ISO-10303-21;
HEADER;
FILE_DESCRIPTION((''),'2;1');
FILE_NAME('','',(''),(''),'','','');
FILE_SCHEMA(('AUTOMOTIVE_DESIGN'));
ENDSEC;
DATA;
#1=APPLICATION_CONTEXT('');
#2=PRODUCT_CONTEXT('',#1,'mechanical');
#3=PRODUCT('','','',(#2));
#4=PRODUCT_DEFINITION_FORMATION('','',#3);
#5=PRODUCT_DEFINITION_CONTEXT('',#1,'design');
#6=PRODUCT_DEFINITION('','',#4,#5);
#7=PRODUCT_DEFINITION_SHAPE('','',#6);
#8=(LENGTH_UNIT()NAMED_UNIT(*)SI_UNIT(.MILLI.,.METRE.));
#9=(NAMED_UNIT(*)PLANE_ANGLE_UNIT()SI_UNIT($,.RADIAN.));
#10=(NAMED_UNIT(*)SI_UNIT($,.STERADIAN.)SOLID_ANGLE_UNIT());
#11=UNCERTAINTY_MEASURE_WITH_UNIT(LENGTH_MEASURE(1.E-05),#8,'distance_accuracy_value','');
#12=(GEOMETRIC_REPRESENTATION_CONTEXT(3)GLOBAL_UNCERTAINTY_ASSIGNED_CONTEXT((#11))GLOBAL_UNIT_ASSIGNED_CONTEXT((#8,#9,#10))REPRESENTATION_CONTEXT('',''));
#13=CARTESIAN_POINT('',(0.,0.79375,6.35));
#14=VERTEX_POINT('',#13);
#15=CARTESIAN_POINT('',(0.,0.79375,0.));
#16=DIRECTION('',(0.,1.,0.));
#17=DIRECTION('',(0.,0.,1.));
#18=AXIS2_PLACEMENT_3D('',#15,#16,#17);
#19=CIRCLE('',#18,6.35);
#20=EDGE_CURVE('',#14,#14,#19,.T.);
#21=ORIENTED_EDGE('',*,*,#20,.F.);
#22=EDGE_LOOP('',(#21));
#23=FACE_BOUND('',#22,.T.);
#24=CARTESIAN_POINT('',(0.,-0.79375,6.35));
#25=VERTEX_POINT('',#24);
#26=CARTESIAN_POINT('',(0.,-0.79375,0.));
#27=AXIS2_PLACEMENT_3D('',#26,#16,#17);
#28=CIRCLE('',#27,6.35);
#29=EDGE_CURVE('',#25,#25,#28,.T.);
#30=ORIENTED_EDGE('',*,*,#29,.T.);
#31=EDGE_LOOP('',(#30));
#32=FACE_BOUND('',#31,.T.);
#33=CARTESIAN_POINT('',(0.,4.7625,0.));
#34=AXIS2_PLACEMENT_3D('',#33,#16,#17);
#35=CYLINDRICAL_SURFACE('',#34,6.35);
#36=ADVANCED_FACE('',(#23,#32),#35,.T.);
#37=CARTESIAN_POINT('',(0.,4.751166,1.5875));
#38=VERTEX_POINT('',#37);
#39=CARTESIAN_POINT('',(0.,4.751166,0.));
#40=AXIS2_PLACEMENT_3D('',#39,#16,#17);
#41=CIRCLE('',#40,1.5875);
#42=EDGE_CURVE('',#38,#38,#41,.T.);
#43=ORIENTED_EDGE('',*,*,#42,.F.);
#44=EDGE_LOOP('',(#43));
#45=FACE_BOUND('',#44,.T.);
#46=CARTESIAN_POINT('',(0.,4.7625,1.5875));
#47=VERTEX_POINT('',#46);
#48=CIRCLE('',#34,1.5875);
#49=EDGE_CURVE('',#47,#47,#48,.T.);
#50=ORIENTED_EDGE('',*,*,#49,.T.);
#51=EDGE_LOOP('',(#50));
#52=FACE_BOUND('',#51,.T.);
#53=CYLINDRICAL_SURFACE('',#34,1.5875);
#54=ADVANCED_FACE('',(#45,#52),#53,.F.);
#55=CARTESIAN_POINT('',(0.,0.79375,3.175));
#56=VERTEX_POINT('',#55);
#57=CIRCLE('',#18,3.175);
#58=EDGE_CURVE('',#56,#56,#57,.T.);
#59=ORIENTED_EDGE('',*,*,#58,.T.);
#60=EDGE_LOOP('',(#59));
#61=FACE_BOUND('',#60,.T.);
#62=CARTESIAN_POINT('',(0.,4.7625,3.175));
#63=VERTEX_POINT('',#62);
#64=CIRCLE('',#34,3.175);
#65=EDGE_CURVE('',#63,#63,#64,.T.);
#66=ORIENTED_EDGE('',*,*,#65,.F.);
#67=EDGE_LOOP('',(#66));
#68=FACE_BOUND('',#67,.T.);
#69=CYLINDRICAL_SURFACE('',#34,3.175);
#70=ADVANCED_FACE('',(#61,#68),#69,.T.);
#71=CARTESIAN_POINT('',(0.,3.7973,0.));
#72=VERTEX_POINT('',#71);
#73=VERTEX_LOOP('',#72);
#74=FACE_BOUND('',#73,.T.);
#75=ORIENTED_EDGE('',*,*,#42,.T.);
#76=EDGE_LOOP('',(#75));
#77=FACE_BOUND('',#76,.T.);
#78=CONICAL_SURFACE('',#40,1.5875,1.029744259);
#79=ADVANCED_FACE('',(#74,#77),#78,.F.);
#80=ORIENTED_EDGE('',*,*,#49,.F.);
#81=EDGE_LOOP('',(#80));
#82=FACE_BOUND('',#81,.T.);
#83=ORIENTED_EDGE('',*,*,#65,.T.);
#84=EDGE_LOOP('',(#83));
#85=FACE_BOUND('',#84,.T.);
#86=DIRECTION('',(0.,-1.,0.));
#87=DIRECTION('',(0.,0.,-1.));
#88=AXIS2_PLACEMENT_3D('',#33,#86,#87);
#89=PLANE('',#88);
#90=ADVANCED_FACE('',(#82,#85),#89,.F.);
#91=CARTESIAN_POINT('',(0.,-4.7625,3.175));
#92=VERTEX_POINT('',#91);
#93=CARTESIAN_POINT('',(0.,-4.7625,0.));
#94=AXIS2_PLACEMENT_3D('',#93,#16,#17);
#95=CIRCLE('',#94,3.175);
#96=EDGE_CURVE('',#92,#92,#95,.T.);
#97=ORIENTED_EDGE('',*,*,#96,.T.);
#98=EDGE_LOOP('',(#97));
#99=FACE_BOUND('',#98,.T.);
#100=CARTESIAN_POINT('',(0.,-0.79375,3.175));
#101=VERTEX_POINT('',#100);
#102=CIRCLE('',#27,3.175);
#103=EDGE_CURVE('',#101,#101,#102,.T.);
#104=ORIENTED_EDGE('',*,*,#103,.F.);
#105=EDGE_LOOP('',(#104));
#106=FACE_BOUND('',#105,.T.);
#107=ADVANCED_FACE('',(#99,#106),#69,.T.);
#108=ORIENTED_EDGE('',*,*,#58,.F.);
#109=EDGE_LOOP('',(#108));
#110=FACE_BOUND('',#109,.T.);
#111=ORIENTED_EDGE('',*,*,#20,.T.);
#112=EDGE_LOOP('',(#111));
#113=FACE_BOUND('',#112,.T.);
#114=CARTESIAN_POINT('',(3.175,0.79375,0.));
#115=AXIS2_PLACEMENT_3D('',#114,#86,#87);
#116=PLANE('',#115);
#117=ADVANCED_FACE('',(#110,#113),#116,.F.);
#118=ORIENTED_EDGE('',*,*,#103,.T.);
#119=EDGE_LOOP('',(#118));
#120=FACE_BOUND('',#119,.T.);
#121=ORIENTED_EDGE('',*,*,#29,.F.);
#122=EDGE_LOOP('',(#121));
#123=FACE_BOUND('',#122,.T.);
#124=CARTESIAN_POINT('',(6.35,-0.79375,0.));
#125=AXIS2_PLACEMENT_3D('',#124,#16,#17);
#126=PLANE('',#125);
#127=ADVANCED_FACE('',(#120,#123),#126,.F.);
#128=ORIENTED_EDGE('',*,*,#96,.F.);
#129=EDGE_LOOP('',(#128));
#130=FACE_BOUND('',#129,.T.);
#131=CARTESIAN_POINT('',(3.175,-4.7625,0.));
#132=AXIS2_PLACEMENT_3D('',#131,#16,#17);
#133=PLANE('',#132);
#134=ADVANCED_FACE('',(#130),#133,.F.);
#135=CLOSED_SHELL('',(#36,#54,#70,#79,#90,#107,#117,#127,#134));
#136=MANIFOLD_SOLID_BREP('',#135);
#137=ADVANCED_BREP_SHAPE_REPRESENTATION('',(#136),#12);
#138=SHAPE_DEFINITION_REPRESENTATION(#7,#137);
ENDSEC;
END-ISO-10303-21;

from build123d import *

# Parameters (mm, degrees)
F_1_8_0_125_DIAMETER_HOLE1_D     = 3.175
F_1_8_0_125_DIAMETER_HOLE1_DEPTH = 0.011333767
F_1_8_0_125_DIAMETER_HOLE1_TIP   = 0.953866233


with BuildPart() as part:
    # Sketch1 → Revolve1 (revolve)
    with BuildSketch(Plane.XY, mode=Mode.PRIVATE) as revolve1_sk:
        Polygon((0, 4.7625), (3.175, 4.7625), (3.175, 0.79375), (6.35, 0.79375), (6.35, -0.79375), (3.175, -0.79375), (3.175, -4.7625), (0, -4.7625), align=None)
    revolve(revolve1_sk.sketch.rotate(Axis((0, 4.7625, 0), (0, -1, 0)), 90), axis=Axis((0, 4.7625, 0), (0, -1, 0)))

    # 1/8 (0.125) Diameter Hole1
    with Locations(Plane(origin=(0, 4.7625, 0), x_dir=(1, 0, 0), z_dir=(0, 1, 0))):
        with Locations((0, 0)):
            Hole(F_1_8_0_125_DIAMETER_HOLE1_D / 2, depth=F_1_8_0_125_DIAMETER_HOLE1_DEPTH)
            with Locations((0, 0, -(F_1_8_0_125_DIAMETER_HOLE1_DEPTH + F_1_8_0_125_DIAMETER_HOLE1_TIP / 2))):  # 118° drill point
                Cone(0, F_1_8_0_125_DIAMETER_HOLE1_D / 2, F_1_8_0_125_DIAMETER_HOLE1_TIP, mode=Mode.SUBTRACT)


solid = part.part
